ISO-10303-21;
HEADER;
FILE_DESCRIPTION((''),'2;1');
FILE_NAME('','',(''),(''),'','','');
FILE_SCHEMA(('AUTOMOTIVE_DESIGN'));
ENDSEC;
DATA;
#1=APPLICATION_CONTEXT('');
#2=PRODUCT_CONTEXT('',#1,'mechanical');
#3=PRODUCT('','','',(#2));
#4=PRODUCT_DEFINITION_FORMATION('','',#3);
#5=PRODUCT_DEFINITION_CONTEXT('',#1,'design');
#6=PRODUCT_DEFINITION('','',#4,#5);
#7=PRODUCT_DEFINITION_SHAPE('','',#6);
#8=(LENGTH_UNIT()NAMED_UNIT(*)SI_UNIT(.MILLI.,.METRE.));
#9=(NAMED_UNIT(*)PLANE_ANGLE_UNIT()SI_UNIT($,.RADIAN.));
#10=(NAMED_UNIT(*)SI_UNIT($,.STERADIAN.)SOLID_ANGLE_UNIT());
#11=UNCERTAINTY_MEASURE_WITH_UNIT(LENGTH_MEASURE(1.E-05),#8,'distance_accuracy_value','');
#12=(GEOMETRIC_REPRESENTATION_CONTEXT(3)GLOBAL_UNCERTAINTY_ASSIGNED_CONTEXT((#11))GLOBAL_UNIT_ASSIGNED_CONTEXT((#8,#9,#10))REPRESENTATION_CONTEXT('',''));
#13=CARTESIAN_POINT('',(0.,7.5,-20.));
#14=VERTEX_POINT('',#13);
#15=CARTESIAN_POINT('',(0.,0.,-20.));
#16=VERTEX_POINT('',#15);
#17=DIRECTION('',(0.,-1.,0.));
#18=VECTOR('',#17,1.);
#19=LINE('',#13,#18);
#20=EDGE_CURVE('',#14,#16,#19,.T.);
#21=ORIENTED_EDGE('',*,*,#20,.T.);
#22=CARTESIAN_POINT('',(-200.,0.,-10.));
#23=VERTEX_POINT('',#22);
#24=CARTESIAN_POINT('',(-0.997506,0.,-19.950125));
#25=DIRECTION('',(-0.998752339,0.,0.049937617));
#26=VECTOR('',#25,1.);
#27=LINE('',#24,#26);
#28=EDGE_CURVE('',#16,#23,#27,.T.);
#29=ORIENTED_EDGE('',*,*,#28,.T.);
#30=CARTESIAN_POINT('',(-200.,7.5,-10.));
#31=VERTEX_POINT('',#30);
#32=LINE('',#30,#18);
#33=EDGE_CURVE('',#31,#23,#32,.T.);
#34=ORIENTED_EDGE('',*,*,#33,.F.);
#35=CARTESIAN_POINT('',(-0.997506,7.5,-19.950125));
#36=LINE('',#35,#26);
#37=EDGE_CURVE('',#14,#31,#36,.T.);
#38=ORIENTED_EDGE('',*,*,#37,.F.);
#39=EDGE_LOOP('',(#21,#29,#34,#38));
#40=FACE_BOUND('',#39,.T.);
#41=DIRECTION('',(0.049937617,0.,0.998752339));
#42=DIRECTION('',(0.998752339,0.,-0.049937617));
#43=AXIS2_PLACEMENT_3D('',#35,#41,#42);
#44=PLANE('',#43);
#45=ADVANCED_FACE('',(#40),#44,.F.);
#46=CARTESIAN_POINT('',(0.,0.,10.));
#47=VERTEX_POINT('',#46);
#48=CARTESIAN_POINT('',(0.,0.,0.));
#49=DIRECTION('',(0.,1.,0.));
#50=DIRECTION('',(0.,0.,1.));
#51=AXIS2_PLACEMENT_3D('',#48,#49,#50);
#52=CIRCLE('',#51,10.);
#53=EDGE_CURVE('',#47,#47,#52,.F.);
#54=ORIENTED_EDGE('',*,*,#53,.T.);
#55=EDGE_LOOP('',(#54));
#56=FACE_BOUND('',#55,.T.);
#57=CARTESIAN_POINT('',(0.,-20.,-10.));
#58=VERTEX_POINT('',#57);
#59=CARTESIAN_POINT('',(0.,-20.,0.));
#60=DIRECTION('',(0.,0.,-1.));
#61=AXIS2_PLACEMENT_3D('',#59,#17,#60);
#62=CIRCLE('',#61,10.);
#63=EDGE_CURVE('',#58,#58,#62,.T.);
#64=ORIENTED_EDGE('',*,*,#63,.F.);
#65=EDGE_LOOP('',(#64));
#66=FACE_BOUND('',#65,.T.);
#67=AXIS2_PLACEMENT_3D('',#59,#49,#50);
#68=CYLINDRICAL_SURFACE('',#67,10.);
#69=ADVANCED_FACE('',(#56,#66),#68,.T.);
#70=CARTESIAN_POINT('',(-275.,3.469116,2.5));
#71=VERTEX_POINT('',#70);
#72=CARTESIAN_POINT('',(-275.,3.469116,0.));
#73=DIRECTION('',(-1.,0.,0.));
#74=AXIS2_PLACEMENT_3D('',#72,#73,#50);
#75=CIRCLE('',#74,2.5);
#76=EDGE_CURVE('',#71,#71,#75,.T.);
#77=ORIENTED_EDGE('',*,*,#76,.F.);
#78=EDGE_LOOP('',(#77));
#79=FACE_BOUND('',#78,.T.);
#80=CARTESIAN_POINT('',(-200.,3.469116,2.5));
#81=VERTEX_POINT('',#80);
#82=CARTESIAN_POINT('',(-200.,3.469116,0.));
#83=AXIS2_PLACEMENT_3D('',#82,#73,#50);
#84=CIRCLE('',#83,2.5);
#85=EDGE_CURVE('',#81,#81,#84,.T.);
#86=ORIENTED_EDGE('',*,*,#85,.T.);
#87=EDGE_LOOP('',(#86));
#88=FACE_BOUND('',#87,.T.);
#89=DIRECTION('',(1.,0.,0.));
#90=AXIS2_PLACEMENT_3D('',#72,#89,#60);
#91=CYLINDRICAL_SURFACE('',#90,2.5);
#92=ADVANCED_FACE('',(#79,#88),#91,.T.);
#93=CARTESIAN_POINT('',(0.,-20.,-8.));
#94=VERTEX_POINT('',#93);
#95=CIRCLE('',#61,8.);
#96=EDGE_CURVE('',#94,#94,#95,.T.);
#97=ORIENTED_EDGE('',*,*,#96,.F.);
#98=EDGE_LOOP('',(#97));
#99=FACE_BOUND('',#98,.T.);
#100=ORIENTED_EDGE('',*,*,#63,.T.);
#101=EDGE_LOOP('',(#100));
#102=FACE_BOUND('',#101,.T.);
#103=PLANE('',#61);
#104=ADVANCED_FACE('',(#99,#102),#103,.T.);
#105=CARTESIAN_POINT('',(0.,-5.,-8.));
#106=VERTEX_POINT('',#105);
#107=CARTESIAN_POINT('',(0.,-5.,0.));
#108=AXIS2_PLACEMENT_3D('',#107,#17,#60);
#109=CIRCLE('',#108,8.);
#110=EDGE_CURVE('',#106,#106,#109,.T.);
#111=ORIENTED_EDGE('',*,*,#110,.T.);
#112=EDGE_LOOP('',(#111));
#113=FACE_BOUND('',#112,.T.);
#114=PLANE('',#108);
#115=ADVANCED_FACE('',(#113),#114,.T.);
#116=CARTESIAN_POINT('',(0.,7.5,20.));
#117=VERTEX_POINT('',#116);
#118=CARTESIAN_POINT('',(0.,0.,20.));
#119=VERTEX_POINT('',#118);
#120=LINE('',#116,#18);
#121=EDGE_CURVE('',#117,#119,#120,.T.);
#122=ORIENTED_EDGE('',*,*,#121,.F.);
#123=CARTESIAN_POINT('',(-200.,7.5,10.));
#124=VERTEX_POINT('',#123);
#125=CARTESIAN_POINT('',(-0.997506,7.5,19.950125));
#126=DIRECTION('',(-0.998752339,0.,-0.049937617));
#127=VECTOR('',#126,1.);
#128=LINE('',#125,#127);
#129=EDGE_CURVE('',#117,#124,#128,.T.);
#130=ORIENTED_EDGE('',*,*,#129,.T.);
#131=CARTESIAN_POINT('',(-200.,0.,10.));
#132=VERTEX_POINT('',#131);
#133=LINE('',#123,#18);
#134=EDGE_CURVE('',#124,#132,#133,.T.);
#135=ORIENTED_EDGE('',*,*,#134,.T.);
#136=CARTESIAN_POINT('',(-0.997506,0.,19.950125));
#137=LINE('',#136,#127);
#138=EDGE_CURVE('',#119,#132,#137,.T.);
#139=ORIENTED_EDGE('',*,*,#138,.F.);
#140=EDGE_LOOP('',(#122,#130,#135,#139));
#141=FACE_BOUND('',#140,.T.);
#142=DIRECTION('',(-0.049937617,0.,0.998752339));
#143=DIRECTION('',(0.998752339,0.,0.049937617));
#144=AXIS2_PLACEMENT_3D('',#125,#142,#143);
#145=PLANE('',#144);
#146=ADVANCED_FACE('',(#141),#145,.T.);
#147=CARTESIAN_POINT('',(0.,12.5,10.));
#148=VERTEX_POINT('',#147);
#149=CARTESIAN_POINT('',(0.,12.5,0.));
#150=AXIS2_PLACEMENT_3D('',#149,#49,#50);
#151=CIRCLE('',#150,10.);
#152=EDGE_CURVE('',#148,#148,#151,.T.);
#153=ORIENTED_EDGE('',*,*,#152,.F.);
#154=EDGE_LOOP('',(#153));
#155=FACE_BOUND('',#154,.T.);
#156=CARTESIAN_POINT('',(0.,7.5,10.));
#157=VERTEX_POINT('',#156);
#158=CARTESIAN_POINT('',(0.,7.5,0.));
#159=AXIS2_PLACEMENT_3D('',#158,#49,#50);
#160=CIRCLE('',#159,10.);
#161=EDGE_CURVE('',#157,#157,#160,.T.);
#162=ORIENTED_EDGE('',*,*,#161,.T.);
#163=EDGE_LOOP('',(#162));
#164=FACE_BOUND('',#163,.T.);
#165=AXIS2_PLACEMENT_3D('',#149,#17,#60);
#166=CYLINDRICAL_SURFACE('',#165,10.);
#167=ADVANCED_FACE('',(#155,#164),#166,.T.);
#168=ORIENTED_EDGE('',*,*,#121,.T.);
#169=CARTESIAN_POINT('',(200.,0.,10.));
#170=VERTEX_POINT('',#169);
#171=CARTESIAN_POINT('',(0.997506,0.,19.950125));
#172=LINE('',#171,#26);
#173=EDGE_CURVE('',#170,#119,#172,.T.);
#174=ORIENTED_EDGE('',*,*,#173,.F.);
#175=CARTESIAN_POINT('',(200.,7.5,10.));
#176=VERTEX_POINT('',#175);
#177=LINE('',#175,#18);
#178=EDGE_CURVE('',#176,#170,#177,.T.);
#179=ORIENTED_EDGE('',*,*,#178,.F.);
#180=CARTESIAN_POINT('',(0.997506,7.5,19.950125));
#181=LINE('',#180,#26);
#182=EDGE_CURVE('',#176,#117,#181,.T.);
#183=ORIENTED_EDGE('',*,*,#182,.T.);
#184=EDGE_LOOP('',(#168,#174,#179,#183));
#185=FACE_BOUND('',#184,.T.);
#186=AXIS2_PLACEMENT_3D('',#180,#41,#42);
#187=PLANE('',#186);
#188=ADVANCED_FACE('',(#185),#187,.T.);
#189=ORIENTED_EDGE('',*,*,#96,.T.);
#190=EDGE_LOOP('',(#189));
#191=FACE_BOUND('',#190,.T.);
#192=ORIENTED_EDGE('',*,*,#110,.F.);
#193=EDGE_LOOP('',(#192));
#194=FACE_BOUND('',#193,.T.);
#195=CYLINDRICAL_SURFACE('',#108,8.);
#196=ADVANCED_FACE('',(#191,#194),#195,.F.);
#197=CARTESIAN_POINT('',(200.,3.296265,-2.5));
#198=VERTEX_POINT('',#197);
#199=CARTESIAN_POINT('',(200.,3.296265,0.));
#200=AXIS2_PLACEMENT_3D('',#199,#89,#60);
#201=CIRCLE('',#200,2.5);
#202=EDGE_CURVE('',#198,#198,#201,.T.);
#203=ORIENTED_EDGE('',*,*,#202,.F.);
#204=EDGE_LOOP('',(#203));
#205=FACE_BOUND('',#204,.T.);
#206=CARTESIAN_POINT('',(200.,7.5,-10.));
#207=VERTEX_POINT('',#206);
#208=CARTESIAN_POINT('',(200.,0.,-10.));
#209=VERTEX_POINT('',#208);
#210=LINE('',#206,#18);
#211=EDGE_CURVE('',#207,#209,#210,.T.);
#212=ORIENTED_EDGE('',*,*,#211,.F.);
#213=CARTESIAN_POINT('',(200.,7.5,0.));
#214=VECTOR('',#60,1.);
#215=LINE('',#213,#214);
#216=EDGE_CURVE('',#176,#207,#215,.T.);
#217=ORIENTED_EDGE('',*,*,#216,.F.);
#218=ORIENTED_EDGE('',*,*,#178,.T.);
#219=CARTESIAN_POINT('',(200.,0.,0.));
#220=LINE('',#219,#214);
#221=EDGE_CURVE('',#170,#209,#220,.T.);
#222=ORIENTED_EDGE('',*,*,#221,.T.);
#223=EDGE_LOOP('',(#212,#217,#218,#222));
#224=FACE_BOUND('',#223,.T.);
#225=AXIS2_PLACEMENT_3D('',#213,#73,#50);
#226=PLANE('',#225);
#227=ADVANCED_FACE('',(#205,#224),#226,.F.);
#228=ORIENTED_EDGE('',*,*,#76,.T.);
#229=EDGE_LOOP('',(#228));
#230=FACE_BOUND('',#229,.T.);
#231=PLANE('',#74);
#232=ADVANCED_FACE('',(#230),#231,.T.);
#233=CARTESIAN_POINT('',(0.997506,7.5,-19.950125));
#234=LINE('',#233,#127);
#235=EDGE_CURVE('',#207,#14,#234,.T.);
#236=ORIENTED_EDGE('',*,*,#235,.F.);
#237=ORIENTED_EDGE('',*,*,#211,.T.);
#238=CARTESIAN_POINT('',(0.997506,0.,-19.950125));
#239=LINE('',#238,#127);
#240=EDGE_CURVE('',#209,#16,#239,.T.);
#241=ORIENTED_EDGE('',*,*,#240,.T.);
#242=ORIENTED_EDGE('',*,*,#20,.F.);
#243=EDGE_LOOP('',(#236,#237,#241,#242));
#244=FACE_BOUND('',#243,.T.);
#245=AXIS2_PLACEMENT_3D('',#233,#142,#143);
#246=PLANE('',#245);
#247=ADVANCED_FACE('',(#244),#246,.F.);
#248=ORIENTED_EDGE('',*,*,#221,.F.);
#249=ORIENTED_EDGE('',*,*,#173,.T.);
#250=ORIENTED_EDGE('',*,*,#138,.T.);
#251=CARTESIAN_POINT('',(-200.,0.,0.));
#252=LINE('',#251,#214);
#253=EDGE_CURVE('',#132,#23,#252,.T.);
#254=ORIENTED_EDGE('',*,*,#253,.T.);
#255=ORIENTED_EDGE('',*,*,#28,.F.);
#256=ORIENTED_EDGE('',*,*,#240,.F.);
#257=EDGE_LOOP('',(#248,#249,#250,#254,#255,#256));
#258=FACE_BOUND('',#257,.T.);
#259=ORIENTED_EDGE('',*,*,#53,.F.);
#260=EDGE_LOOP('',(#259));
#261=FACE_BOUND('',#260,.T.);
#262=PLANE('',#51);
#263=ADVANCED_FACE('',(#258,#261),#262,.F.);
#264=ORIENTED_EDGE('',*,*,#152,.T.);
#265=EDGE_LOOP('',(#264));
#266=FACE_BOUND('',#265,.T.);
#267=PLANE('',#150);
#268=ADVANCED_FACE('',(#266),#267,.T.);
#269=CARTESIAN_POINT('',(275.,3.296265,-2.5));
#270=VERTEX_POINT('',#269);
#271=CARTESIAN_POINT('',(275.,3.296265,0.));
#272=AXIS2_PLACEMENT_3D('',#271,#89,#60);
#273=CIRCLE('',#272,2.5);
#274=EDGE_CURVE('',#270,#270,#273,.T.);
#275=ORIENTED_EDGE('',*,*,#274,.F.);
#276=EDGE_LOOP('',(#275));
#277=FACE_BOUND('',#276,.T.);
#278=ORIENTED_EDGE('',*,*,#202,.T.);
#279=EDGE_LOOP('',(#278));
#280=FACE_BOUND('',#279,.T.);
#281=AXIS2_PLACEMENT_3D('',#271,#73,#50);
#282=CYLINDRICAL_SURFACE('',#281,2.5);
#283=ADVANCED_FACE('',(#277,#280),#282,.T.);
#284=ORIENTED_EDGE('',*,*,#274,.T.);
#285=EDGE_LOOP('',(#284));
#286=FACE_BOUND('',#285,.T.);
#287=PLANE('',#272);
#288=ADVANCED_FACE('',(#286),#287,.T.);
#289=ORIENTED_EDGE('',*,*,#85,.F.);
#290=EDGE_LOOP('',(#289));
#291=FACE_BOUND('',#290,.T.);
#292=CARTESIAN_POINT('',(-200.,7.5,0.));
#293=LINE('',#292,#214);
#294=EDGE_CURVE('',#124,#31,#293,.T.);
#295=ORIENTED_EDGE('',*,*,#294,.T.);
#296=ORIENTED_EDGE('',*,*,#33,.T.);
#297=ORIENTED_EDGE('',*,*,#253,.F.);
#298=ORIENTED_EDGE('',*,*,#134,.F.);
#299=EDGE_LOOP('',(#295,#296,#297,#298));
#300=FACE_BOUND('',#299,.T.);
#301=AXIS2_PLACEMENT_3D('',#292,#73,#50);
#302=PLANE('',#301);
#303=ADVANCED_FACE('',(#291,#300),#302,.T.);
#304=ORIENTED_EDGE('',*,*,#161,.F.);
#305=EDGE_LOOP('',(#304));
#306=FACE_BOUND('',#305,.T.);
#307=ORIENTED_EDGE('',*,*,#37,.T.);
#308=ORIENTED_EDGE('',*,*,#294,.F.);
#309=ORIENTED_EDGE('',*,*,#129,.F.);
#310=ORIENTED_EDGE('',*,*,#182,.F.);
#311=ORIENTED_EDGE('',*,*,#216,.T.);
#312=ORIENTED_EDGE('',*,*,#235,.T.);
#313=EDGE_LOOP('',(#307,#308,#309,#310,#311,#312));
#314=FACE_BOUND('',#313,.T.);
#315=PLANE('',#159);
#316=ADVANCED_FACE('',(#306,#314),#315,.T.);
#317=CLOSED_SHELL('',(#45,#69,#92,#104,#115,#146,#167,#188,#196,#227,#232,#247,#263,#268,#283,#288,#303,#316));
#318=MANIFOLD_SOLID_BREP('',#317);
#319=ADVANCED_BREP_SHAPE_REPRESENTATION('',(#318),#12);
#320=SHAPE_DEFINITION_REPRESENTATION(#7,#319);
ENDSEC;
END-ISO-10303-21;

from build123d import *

# Parameters (mm, degrees)
SKETCH1_W           = 400
SKETCH1_H           = 20
BOSS_EXTRUDE1_DEPTH = 7.5
SKETCH2_R           = 2.5
BOSS_EXTRUDE2_DEPTH = 75
SKETCH3_R           = 2.5
BOSS_EXTRUDE3_DEPTH = 75
SKETCH5_R           = 10
BOSS_EXTRUDE4_DEPTH = 5
BOSS_EXTRUDE5_START = 20
SKETCH6_R           = 10
BOSS_EXTRUDE5_DEPTH = 20
SKETCH7_R           = 8
CUT_EXTRUDE1_DEPTH  = 15


with BuildPart() as part:
    # Sketch1 → Boss-Extrude1 (new body)
    with BuildSketch(Plane(origin=(0, 0, 0), x_dir=(1, 0, 0), z_dir=(0, 1, 0))):
        Rectangle(SKETCH1_W, SKETCH1_H)
        Polygon((200, 10), (0, 20), (-200, 10), align=None)
        Polygon((0, -20), (-200, -10), (200, -10), align=None)
    extrude(amount=BOSS_EXTRUDE1_DEPTH)

    # Sketch2 → Boss-Extrude2 (add)
    with BuildSketch(Plane(origin=(200, 0, 0), x_dir=(0, 0, -1), z_dir=(1, 0, 0))):
        with Locations((0, 3.296264787)):
            Circle(SKETCH2_R)
    extrude(amount=BOSS_EXTRUDE2_DEPTH)

    # Sketch3 → Boss-Extrude3 (add)
    with BuildSketch(Plane.ZY.offset(200)):
        with Locations((0, 3.469116297)):
            Circle(SKETCH3_R)
    extrude(amount=BOSS_EXTRUDE3_DEPTH)

    # Sketch5 → Boss-Extrude4 (add)
    with BuildSketch(Plane(origin=(0, 7.5, 0), x_dir=(1, 0, 0), z_dir=(0, 1, 0))):
        with Locations(Location((0, 0, 0), (0, 0, 270))):
            Circle(SKETCH5_R)
    extrude(amount=BOSS_EXTRUDE4_DEPTH)

    # Sketch6 → Boss-Extrude5 (add)
    with BuildSketch(Plane.XZ.offset(BOSS_EXTRUDE5_START)):
        with Locations(Location((0, 0, 0), (0, 0, 90))):
            Circle(SKETCH6_R)
    extrude(amount=-BOSS_EXTRUDE5_DEPTH)

    # Sketch7 → Cut-Extrude1 (cut)
    with BuildSketch(Plane(origin=(0, -20, 0), x_dir=(-1, 0, 0), z_dir=(0, -1, 0))):
        with Locations(Location((0, 0, 0), (0, 0, 90))):
            Circle(SKETCH7_R)
    extrude(amount=-CUT_EXTRUDE1_DEPTH, mode=Mode.SUBTRACT)


solid = part.part
